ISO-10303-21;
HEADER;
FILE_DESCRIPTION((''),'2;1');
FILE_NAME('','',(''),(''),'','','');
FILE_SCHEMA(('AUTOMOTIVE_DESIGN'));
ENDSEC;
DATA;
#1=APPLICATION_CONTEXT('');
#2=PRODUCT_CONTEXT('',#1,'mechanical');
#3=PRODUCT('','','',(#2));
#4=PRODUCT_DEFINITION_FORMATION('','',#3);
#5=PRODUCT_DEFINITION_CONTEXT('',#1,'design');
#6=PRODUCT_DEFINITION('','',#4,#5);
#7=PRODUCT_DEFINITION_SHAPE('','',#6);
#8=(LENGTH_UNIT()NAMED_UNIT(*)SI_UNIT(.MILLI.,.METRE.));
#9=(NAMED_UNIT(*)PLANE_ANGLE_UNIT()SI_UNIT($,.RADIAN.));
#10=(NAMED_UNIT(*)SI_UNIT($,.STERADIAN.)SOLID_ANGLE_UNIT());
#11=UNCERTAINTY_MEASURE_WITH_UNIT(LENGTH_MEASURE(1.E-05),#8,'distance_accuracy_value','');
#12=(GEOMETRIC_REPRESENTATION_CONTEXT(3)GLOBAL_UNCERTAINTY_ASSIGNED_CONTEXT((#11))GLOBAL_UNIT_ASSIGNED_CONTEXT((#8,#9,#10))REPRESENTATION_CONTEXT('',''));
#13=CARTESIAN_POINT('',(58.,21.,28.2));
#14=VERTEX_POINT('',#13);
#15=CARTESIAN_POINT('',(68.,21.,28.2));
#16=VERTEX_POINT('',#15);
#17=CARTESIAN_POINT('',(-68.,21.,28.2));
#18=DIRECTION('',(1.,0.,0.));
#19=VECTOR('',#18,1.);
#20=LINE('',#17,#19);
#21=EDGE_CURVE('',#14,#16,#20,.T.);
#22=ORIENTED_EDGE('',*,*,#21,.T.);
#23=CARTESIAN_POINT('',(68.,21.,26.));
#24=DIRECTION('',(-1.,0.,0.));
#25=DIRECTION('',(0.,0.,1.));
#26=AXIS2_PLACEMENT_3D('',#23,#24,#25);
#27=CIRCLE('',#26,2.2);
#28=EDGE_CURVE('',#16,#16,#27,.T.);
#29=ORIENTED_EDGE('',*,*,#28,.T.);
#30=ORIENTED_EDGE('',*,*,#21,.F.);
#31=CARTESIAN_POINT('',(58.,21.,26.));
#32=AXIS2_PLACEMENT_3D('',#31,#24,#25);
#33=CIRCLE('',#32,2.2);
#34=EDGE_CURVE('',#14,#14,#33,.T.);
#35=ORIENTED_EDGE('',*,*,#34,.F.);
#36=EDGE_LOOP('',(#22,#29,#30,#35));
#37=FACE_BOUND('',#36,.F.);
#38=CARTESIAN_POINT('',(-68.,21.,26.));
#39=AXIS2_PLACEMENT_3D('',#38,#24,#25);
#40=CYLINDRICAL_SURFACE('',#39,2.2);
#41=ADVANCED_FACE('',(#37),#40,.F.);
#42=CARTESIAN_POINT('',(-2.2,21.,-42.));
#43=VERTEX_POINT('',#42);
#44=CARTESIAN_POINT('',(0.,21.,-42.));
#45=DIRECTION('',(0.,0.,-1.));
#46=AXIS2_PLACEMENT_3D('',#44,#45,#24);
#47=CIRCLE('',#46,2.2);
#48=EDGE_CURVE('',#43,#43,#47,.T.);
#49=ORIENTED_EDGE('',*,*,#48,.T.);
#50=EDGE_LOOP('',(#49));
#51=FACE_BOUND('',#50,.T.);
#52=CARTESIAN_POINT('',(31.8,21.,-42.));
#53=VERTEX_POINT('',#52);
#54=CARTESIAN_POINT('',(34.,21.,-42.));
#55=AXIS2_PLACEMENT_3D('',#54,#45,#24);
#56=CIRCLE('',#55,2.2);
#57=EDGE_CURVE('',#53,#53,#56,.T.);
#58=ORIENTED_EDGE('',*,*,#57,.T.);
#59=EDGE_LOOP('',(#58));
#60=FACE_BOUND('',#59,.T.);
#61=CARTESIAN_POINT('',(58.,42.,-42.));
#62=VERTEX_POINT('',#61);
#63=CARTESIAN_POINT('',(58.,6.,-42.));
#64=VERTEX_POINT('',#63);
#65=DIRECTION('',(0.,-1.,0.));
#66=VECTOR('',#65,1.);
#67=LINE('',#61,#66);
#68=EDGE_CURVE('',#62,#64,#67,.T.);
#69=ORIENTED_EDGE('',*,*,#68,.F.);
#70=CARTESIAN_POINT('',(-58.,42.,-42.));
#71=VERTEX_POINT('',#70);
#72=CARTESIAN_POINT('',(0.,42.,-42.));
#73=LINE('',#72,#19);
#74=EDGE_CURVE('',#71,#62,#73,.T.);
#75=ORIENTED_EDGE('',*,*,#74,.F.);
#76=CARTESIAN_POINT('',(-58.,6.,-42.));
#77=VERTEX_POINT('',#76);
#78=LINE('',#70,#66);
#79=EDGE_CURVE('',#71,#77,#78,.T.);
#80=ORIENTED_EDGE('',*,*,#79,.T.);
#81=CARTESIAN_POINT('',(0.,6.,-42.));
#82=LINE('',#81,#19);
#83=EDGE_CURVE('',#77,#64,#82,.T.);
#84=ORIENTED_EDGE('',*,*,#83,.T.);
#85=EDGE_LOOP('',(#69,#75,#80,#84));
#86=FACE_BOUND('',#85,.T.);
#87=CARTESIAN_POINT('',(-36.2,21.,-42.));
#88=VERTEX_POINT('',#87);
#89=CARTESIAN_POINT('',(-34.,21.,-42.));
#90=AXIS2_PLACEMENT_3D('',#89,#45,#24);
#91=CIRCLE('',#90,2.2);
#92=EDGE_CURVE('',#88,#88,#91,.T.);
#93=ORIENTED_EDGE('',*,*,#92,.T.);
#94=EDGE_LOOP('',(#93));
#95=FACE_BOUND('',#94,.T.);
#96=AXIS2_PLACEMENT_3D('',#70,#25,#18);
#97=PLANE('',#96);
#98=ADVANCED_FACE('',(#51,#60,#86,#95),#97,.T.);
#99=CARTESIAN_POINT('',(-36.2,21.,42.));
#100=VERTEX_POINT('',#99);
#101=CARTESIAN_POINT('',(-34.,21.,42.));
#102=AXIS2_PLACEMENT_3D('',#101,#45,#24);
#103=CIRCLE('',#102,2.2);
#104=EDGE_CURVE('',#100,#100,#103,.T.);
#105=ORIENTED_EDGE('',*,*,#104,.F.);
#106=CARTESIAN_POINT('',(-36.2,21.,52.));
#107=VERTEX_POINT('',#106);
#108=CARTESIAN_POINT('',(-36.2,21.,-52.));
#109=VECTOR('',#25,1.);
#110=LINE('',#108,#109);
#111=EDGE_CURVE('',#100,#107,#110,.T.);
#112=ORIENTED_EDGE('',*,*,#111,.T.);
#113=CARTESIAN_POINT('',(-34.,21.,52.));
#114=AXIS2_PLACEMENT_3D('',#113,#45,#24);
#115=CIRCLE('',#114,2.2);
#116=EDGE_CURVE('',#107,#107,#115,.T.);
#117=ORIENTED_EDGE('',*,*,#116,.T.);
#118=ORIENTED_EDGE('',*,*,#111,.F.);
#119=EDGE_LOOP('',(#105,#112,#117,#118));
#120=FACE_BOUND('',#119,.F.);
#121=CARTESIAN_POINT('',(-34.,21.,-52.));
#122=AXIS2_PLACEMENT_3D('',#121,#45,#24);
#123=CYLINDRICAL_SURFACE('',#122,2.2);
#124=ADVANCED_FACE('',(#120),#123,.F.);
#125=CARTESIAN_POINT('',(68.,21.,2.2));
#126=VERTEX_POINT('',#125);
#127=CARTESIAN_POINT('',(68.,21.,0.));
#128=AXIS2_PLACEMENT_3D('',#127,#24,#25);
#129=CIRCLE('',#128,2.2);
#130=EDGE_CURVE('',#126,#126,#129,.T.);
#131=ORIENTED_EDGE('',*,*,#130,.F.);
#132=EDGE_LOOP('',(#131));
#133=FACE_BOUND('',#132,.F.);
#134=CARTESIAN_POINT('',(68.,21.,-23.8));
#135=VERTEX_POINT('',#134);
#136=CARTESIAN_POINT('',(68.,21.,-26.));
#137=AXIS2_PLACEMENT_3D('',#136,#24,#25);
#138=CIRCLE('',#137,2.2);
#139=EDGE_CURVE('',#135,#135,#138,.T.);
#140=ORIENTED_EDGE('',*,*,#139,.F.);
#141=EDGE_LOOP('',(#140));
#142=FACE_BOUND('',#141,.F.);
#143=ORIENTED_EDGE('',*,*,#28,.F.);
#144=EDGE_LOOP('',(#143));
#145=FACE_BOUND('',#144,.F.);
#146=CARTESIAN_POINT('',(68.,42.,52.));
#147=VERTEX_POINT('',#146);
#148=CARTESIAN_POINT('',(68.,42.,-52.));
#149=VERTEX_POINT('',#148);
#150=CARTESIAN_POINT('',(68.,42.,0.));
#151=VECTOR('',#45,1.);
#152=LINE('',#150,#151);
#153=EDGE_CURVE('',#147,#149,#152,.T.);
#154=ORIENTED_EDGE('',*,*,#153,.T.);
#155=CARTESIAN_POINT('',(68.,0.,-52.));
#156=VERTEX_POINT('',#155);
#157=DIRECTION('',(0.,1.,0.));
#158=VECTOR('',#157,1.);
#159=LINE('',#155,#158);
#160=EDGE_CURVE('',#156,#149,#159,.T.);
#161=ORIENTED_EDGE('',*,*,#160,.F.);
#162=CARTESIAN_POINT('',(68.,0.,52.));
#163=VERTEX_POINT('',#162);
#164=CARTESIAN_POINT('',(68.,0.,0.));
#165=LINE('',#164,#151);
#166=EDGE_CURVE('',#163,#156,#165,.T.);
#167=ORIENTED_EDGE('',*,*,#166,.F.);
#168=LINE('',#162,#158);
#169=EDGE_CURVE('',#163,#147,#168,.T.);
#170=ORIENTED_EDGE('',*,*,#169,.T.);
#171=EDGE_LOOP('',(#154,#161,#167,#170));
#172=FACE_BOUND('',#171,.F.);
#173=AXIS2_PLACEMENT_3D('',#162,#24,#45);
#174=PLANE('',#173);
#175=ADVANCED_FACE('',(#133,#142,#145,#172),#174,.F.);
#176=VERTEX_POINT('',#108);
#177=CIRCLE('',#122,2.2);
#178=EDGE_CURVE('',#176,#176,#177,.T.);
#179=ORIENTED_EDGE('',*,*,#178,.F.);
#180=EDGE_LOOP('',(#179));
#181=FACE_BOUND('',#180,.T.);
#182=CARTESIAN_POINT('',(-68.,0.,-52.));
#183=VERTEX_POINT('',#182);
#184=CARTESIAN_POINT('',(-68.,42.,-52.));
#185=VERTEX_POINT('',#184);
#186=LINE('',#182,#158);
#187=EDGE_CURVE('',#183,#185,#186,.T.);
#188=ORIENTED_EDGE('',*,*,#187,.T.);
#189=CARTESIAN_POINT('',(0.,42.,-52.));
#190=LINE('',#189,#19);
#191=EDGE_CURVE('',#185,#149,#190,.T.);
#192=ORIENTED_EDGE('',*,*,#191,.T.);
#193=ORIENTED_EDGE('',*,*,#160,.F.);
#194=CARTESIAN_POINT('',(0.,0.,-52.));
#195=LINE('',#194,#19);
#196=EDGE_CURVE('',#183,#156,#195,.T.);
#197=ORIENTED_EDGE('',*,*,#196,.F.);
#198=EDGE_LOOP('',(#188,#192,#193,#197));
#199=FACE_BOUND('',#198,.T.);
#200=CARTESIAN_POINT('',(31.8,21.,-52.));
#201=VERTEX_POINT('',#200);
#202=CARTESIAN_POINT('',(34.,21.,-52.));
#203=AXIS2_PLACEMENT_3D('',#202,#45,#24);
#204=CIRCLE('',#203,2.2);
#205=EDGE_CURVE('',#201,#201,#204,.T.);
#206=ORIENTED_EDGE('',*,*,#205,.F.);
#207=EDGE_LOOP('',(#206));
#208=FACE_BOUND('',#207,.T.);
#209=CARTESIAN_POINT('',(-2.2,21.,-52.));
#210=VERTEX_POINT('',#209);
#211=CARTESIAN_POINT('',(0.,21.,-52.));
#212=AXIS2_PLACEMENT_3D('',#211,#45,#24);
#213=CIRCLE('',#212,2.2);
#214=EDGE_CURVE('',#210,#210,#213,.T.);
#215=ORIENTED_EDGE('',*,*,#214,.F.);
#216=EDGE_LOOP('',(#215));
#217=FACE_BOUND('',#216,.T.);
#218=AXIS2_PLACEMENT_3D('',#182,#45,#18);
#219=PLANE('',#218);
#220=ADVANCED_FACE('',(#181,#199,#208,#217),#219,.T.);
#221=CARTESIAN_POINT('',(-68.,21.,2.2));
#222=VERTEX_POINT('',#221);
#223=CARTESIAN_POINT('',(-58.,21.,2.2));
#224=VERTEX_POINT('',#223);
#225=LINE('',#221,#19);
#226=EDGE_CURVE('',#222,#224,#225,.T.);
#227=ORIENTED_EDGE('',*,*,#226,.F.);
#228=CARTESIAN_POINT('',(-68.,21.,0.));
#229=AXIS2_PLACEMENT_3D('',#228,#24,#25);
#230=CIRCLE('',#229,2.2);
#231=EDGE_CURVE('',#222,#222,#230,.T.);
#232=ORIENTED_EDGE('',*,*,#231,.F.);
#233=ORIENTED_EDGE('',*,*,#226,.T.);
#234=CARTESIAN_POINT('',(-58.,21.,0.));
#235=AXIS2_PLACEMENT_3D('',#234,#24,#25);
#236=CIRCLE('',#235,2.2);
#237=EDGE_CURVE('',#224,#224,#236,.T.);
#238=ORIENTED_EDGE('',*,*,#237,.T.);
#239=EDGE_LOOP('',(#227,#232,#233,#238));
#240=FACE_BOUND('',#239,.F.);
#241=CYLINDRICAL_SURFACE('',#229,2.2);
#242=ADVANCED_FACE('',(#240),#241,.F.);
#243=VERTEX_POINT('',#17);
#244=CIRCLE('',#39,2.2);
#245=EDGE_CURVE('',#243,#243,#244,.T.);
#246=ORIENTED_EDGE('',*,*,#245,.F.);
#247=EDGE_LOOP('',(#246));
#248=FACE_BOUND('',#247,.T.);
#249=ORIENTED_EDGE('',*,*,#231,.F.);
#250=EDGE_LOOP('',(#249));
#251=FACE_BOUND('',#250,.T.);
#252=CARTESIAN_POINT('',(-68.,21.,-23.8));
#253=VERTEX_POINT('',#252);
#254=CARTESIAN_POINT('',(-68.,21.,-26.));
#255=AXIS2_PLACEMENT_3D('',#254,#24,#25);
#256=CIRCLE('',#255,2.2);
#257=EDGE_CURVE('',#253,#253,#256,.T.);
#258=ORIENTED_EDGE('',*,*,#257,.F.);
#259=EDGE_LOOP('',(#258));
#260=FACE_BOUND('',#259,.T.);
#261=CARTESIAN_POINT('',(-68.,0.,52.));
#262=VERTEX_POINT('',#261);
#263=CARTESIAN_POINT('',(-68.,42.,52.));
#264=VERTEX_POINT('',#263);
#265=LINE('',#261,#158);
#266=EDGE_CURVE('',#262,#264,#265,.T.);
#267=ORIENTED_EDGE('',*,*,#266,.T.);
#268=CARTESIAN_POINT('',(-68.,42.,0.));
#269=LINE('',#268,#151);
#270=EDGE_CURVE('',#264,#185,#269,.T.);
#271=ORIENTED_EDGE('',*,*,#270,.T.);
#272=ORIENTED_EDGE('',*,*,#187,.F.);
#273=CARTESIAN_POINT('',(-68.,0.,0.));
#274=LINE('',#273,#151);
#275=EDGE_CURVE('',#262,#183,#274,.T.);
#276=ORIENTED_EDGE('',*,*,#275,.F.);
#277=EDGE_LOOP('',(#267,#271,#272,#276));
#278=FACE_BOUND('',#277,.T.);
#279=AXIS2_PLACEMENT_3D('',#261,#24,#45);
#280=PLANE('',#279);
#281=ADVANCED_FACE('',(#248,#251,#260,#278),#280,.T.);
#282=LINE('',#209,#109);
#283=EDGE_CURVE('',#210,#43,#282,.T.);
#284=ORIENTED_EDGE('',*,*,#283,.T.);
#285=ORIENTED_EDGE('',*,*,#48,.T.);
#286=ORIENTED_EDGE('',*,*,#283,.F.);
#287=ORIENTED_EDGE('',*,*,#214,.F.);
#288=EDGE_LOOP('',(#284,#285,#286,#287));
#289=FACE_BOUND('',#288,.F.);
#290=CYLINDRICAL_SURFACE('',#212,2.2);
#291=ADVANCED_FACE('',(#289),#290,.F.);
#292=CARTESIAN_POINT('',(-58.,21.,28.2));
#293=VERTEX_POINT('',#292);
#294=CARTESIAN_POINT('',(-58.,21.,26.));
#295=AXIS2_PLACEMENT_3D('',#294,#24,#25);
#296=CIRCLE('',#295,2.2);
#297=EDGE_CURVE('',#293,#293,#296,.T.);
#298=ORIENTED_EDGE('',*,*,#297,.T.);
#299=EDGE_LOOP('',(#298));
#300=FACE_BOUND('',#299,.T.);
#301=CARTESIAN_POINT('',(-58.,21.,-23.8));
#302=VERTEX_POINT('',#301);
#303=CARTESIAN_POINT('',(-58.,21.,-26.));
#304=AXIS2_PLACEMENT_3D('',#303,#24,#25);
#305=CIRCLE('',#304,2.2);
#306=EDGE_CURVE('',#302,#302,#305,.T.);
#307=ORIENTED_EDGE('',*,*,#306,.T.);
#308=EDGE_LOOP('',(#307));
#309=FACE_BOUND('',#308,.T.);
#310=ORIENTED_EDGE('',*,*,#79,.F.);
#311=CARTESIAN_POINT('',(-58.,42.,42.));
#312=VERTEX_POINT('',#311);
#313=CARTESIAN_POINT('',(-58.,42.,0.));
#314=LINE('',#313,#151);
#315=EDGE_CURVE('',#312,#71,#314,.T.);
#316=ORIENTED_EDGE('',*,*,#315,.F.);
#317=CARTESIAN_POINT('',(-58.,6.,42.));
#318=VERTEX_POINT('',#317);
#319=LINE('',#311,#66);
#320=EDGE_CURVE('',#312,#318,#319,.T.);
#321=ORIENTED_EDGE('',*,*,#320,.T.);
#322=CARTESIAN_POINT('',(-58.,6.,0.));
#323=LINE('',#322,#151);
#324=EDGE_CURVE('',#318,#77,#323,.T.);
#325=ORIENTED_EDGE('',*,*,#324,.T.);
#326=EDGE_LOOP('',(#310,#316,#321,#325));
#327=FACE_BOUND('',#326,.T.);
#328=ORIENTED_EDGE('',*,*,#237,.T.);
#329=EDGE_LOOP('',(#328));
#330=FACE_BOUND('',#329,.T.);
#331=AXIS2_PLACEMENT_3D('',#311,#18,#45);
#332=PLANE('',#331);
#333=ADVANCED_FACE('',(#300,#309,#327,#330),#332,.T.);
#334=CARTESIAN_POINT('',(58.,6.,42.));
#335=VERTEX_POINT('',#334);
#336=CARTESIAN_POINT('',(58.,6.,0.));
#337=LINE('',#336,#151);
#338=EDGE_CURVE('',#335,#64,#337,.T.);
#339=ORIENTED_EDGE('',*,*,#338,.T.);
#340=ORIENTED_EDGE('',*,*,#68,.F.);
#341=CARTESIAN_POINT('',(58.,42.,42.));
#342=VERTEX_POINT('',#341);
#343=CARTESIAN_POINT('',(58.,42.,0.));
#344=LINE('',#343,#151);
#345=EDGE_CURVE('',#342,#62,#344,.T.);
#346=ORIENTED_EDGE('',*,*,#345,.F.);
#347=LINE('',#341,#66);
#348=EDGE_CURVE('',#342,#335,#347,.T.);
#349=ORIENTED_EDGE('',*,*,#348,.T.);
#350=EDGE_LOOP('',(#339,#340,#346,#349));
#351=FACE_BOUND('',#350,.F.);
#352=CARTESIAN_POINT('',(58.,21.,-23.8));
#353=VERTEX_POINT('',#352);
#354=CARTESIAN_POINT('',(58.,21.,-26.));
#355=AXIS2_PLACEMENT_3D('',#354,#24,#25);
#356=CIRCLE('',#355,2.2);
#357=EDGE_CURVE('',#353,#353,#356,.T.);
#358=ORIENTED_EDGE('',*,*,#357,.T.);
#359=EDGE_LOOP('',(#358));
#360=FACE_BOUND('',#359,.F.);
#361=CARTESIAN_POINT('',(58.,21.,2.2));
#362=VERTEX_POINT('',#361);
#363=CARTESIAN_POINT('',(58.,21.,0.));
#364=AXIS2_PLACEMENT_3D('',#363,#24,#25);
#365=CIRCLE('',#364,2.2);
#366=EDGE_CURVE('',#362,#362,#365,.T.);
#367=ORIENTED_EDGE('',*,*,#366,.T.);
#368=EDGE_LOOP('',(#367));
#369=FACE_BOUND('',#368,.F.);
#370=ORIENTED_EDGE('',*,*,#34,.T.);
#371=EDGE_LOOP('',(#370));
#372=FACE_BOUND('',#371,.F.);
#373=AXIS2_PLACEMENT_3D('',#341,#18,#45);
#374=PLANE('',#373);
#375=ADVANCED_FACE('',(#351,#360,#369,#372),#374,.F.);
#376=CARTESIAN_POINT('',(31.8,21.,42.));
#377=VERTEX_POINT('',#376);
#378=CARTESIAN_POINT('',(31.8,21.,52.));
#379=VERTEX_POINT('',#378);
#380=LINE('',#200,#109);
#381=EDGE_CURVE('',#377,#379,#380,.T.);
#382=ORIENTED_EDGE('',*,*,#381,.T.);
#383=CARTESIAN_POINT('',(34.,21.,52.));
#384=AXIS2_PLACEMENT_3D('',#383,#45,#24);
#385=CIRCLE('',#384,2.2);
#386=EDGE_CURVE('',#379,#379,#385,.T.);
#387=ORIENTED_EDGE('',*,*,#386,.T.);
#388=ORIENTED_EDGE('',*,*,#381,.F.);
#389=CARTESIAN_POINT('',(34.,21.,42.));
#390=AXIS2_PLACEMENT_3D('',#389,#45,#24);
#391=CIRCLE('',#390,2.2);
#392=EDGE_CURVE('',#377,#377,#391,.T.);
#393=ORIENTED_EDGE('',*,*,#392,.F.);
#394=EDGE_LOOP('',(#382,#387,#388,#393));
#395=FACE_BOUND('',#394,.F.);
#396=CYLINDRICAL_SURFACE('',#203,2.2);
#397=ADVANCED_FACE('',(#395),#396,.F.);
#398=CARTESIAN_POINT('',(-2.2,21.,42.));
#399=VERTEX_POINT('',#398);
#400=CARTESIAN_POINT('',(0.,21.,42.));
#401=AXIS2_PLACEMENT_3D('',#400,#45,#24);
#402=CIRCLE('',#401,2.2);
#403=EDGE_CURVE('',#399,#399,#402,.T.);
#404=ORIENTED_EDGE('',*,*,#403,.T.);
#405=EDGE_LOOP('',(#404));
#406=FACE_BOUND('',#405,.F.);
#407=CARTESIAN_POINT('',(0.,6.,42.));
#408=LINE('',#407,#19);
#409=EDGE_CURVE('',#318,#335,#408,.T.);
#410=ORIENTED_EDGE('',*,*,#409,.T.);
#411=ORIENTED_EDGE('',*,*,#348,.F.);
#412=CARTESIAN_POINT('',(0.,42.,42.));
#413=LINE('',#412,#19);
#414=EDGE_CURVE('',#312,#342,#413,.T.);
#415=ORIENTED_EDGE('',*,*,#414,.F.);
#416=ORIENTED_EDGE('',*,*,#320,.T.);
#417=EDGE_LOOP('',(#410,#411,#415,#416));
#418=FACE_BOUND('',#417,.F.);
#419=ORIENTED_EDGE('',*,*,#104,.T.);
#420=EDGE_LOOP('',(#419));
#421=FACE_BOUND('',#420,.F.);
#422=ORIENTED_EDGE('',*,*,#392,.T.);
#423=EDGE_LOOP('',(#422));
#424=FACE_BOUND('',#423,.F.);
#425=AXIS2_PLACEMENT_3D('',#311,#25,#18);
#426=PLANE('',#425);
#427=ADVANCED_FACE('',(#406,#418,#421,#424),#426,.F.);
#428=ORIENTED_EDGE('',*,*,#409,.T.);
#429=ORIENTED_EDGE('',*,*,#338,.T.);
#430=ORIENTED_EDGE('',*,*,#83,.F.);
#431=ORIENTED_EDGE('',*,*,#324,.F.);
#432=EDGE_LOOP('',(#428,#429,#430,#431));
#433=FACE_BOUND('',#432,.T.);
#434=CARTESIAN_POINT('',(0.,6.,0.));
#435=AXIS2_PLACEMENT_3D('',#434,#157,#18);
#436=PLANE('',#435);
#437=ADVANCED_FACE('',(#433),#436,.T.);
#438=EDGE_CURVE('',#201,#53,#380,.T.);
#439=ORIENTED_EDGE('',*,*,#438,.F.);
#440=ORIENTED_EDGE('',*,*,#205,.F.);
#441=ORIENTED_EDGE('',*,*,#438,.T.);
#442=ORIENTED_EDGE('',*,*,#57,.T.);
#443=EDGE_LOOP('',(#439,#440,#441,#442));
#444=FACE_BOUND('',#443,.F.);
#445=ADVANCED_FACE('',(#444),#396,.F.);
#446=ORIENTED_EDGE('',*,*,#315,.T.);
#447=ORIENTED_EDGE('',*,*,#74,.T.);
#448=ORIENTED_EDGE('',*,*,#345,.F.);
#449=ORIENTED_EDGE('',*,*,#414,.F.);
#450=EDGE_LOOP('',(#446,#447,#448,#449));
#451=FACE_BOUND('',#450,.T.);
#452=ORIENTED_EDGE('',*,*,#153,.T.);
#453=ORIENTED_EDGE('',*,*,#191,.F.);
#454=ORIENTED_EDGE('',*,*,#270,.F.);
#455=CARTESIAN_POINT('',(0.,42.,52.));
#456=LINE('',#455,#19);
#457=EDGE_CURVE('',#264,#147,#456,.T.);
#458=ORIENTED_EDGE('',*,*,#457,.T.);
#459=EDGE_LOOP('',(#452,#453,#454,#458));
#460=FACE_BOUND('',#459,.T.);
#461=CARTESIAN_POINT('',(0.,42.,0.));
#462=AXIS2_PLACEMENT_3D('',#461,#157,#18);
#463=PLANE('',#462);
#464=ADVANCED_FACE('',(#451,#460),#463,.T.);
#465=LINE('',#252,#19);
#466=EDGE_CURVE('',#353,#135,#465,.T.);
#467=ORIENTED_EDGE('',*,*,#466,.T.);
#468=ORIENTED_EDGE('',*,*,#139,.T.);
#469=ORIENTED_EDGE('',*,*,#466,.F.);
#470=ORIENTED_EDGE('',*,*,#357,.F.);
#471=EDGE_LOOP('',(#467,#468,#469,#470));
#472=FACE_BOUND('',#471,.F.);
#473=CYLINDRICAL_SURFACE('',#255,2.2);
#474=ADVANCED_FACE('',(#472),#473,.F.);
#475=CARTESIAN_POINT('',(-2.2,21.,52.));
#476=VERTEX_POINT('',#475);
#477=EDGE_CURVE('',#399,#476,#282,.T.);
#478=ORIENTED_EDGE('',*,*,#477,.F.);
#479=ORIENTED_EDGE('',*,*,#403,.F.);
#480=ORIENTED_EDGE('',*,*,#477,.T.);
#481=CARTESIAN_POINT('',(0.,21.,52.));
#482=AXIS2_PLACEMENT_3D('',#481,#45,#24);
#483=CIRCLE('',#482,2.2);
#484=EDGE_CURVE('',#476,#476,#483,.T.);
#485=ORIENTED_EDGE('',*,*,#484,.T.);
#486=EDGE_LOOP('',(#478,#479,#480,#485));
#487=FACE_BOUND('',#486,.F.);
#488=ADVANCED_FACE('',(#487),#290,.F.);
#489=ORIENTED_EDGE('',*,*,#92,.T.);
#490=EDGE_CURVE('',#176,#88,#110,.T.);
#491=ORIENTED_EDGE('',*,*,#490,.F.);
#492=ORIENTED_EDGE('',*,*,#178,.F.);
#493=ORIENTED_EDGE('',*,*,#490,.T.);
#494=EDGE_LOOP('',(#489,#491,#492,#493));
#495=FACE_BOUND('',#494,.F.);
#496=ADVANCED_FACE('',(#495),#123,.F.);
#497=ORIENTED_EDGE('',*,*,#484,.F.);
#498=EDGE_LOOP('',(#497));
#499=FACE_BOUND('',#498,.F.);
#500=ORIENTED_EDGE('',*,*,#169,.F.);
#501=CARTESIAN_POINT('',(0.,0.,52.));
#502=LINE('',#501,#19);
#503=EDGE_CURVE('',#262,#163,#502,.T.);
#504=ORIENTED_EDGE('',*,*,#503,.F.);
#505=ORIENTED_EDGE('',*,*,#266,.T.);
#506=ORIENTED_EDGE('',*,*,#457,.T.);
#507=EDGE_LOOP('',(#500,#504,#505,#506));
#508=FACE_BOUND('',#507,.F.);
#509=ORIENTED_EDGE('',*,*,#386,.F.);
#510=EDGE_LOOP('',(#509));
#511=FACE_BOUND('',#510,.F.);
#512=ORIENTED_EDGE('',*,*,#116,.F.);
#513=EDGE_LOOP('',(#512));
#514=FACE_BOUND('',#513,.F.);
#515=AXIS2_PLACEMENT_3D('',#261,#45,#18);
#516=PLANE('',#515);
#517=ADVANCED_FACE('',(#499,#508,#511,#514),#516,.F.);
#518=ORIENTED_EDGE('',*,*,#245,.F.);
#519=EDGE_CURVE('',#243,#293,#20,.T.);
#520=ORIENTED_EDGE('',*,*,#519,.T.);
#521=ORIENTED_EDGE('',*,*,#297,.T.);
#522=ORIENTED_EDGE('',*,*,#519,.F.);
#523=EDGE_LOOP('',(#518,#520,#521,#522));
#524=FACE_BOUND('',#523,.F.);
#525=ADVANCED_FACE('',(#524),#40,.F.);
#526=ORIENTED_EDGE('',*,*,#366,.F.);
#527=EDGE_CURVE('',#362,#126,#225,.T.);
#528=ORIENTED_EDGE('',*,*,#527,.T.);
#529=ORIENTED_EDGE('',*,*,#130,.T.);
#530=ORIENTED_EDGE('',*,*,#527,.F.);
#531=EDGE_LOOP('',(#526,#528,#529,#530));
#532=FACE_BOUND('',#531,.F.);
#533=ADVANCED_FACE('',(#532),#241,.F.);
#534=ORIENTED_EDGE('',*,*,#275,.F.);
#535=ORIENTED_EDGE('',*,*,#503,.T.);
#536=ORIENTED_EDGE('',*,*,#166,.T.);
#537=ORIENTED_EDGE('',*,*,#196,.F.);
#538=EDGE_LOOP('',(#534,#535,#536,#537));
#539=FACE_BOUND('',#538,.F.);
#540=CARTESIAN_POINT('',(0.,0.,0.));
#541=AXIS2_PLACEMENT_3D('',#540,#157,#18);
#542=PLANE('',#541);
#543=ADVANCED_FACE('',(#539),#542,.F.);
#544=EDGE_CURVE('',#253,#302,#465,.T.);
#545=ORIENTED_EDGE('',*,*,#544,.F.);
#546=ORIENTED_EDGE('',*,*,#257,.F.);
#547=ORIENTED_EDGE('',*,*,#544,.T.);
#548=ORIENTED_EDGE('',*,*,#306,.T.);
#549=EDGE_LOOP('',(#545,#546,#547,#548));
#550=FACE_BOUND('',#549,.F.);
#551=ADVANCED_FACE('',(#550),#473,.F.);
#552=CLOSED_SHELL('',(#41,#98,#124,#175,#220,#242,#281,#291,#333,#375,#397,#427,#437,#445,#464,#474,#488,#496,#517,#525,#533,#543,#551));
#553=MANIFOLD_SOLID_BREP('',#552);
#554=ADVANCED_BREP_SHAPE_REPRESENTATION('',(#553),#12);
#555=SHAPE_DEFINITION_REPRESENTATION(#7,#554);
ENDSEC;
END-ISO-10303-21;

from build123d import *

# Parameters (mm, degrees)
SKETCH_1_W          = 136
SKETCH_1_H          = 104
EXTRUDE_1_DEPTH     = 42
SKETCH_2_W          = 116
SKETCH_2_H          = 84
CUT_EXTRUDE_1_DEPTH = 36
SKETCH_6_R          = 2.2
CUT_EXTRUDE_5_DEPTH = 136
SKETCH_7_R          = 2.2
CUT_EXTRUDE_6_DEPTH = 104


with BuildPart() as part:
    # 草图1 → 凸台-拉伸1 (new body)
    with BuildSketch(Plane(origin=(0, 0, 0), x_dir=(1, 0, 0), z_dir=(0, 1, 0))):
        Rectangle(SKETCH_1_W, SKETCH_1_H)
    extrude(amount=EXTRUDE_1_DEPTH)

    # 草图2 → 切除-拉伸1 (cut)
    with BuildSketch(Plane(origin=(0, 42, 0), x_dir=(1, 0, 0), z_dir=(0, 1, 0))):
        Rectangle(SKETCH_2_W, SKETCH_2_H)
    extrude(amount=-CUT_EXTRUDE_1_DEPTH, mode=Mode.SUBTRACT)

    # 草图6 → 切除-拉伸5 (cut)
    with BuildSketch(Plane.ZY.offset(68)):
        with Locations((-26, 21)):
            Circle(SKETCH_6_R)
        with Locations((26, 21)):
            Circle(SKETCH_6_R)
        with Locations((0, 21)):
            Circle(SKETCH_6_R)
    extrude(amount=-CUT_EXTRUDE_5_DEPTH, mode=Mode.SUBTRACT)

    # 草图7 → 切除-拉伸6 (cut)
    with BuildSketch(Plane(origin=(0, 0, -52), x_dir=(-1, 0, 0), z_dir=(0, 0, -1))):
        with Locations((-34, 21)):
            Circle(SKETCH_7_R)
        with Locations((34, 21)):
            Circle(SKETCH_7_R)
        with Locations((0, 21)):
            Circle(SKETCH_7_R)
    extrude(amount=-CUT_EXTRUDE_6_DEPTH, mode=Mode.SUBTRACT)


solid = part.part
